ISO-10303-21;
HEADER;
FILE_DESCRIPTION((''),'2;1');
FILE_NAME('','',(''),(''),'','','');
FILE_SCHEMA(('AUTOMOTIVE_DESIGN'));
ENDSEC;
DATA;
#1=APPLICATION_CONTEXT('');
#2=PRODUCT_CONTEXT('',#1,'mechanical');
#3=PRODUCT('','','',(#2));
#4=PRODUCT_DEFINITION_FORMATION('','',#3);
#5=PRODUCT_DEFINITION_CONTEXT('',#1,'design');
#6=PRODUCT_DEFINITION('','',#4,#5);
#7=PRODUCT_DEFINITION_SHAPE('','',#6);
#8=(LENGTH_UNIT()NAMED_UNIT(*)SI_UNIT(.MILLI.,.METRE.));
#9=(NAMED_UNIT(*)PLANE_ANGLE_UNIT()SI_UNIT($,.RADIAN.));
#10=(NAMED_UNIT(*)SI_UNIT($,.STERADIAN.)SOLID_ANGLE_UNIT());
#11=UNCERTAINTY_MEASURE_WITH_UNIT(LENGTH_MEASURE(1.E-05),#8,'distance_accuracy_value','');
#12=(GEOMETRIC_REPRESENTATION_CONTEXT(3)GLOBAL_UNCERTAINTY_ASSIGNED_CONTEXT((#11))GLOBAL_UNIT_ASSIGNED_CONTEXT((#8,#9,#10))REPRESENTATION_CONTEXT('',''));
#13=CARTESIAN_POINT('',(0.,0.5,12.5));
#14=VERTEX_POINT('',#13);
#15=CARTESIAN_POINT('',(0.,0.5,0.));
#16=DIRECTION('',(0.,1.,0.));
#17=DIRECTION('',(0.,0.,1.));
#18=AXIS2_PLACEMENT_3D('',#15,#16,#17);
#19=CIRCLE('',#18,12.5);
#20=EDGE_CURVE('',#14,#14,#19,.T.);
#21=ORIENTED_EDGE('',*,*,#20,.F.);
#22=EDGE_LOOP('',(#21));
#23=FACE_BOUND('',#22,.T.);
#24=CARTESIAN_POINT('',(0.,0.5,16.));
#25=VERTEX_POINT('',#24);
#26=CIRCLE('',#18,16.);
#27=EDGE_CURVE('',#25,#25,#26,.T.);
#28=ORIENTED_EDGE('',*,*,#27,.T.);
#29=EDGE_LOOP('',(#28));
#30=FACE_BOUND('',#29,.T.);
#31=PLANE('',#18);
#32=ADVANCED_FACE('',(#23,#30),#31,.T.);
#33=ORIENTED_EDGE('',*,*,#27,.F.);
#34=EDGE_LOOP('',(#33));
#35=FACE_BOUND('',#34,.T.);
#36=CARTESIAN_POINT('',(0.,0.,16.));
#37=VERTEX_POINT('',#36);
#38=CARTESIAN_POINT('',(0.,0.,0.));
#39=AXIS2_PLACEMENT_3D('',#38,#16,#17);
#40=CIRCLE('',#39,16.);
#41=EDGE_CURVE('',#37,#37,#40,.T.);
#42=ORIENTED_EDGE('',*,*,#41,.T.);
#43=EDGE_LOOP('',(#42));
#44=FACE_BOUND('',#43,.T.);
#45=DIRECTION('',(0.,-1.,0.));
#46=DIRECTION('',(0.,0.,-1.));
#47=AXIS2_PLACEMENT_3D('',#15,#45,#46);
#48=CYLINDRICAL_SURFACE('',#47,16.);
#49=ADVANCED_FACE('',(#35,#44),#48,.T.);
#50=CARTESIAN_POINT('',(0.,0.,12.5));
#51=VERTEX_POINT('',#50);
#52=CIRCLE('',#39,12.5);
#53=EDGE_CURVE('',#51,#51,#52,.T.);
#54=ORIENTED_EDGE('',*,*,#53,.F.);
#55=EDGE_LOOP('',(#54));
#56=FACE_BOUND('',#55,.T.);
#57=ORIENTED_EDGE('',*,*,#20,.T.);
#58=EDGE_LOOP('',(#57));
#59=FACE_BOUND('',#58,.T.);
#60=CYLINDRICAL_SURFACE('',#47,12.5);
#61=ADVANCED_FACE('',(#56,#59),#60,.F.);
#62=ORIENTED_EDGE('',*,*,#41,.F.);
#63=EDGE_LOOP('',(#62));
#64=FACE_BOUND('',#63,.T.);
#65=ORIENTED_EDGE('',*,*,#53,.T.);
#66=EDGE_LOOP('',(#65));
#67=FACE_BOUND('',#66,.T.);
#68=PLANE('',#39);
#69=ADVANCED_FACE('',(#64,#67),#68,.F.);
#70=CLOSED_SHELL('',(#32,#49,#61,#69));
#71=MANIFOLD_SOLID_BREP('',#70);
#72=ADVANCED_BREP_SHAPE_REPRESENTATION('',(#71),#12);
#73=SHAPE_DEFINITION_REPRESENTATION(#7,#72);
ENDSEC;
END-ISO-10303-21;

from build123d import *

# Parameters (mm, degrees)
ESQUISSE1_R        = 16
ESQUISSE1_R_2      = 12.5
BOSS_EXTRU_1_DEPTH = 0.5


with BuildPart() as part:
    # Esquisse1 → Boss.-Extru.1 (new body)
    with BuildSketch(Plane(origin=(0, 0, 0), x_dir=(1, 0, 0), z_dir=(0, 1, 0))):
        with Locations(Location((0, 0, 0), (0, 0, 270))):
            Circle(ESQUISSE1_R)
        with Locations(Location((0, 0, 0), (0, 0, 270))):
            Circle(ESQUISSE1_R_2, mode=Mode.SUBTRACT)
    extrude(amount=BOSS_EXTRU_1_DEPTH)


solid = part.part
